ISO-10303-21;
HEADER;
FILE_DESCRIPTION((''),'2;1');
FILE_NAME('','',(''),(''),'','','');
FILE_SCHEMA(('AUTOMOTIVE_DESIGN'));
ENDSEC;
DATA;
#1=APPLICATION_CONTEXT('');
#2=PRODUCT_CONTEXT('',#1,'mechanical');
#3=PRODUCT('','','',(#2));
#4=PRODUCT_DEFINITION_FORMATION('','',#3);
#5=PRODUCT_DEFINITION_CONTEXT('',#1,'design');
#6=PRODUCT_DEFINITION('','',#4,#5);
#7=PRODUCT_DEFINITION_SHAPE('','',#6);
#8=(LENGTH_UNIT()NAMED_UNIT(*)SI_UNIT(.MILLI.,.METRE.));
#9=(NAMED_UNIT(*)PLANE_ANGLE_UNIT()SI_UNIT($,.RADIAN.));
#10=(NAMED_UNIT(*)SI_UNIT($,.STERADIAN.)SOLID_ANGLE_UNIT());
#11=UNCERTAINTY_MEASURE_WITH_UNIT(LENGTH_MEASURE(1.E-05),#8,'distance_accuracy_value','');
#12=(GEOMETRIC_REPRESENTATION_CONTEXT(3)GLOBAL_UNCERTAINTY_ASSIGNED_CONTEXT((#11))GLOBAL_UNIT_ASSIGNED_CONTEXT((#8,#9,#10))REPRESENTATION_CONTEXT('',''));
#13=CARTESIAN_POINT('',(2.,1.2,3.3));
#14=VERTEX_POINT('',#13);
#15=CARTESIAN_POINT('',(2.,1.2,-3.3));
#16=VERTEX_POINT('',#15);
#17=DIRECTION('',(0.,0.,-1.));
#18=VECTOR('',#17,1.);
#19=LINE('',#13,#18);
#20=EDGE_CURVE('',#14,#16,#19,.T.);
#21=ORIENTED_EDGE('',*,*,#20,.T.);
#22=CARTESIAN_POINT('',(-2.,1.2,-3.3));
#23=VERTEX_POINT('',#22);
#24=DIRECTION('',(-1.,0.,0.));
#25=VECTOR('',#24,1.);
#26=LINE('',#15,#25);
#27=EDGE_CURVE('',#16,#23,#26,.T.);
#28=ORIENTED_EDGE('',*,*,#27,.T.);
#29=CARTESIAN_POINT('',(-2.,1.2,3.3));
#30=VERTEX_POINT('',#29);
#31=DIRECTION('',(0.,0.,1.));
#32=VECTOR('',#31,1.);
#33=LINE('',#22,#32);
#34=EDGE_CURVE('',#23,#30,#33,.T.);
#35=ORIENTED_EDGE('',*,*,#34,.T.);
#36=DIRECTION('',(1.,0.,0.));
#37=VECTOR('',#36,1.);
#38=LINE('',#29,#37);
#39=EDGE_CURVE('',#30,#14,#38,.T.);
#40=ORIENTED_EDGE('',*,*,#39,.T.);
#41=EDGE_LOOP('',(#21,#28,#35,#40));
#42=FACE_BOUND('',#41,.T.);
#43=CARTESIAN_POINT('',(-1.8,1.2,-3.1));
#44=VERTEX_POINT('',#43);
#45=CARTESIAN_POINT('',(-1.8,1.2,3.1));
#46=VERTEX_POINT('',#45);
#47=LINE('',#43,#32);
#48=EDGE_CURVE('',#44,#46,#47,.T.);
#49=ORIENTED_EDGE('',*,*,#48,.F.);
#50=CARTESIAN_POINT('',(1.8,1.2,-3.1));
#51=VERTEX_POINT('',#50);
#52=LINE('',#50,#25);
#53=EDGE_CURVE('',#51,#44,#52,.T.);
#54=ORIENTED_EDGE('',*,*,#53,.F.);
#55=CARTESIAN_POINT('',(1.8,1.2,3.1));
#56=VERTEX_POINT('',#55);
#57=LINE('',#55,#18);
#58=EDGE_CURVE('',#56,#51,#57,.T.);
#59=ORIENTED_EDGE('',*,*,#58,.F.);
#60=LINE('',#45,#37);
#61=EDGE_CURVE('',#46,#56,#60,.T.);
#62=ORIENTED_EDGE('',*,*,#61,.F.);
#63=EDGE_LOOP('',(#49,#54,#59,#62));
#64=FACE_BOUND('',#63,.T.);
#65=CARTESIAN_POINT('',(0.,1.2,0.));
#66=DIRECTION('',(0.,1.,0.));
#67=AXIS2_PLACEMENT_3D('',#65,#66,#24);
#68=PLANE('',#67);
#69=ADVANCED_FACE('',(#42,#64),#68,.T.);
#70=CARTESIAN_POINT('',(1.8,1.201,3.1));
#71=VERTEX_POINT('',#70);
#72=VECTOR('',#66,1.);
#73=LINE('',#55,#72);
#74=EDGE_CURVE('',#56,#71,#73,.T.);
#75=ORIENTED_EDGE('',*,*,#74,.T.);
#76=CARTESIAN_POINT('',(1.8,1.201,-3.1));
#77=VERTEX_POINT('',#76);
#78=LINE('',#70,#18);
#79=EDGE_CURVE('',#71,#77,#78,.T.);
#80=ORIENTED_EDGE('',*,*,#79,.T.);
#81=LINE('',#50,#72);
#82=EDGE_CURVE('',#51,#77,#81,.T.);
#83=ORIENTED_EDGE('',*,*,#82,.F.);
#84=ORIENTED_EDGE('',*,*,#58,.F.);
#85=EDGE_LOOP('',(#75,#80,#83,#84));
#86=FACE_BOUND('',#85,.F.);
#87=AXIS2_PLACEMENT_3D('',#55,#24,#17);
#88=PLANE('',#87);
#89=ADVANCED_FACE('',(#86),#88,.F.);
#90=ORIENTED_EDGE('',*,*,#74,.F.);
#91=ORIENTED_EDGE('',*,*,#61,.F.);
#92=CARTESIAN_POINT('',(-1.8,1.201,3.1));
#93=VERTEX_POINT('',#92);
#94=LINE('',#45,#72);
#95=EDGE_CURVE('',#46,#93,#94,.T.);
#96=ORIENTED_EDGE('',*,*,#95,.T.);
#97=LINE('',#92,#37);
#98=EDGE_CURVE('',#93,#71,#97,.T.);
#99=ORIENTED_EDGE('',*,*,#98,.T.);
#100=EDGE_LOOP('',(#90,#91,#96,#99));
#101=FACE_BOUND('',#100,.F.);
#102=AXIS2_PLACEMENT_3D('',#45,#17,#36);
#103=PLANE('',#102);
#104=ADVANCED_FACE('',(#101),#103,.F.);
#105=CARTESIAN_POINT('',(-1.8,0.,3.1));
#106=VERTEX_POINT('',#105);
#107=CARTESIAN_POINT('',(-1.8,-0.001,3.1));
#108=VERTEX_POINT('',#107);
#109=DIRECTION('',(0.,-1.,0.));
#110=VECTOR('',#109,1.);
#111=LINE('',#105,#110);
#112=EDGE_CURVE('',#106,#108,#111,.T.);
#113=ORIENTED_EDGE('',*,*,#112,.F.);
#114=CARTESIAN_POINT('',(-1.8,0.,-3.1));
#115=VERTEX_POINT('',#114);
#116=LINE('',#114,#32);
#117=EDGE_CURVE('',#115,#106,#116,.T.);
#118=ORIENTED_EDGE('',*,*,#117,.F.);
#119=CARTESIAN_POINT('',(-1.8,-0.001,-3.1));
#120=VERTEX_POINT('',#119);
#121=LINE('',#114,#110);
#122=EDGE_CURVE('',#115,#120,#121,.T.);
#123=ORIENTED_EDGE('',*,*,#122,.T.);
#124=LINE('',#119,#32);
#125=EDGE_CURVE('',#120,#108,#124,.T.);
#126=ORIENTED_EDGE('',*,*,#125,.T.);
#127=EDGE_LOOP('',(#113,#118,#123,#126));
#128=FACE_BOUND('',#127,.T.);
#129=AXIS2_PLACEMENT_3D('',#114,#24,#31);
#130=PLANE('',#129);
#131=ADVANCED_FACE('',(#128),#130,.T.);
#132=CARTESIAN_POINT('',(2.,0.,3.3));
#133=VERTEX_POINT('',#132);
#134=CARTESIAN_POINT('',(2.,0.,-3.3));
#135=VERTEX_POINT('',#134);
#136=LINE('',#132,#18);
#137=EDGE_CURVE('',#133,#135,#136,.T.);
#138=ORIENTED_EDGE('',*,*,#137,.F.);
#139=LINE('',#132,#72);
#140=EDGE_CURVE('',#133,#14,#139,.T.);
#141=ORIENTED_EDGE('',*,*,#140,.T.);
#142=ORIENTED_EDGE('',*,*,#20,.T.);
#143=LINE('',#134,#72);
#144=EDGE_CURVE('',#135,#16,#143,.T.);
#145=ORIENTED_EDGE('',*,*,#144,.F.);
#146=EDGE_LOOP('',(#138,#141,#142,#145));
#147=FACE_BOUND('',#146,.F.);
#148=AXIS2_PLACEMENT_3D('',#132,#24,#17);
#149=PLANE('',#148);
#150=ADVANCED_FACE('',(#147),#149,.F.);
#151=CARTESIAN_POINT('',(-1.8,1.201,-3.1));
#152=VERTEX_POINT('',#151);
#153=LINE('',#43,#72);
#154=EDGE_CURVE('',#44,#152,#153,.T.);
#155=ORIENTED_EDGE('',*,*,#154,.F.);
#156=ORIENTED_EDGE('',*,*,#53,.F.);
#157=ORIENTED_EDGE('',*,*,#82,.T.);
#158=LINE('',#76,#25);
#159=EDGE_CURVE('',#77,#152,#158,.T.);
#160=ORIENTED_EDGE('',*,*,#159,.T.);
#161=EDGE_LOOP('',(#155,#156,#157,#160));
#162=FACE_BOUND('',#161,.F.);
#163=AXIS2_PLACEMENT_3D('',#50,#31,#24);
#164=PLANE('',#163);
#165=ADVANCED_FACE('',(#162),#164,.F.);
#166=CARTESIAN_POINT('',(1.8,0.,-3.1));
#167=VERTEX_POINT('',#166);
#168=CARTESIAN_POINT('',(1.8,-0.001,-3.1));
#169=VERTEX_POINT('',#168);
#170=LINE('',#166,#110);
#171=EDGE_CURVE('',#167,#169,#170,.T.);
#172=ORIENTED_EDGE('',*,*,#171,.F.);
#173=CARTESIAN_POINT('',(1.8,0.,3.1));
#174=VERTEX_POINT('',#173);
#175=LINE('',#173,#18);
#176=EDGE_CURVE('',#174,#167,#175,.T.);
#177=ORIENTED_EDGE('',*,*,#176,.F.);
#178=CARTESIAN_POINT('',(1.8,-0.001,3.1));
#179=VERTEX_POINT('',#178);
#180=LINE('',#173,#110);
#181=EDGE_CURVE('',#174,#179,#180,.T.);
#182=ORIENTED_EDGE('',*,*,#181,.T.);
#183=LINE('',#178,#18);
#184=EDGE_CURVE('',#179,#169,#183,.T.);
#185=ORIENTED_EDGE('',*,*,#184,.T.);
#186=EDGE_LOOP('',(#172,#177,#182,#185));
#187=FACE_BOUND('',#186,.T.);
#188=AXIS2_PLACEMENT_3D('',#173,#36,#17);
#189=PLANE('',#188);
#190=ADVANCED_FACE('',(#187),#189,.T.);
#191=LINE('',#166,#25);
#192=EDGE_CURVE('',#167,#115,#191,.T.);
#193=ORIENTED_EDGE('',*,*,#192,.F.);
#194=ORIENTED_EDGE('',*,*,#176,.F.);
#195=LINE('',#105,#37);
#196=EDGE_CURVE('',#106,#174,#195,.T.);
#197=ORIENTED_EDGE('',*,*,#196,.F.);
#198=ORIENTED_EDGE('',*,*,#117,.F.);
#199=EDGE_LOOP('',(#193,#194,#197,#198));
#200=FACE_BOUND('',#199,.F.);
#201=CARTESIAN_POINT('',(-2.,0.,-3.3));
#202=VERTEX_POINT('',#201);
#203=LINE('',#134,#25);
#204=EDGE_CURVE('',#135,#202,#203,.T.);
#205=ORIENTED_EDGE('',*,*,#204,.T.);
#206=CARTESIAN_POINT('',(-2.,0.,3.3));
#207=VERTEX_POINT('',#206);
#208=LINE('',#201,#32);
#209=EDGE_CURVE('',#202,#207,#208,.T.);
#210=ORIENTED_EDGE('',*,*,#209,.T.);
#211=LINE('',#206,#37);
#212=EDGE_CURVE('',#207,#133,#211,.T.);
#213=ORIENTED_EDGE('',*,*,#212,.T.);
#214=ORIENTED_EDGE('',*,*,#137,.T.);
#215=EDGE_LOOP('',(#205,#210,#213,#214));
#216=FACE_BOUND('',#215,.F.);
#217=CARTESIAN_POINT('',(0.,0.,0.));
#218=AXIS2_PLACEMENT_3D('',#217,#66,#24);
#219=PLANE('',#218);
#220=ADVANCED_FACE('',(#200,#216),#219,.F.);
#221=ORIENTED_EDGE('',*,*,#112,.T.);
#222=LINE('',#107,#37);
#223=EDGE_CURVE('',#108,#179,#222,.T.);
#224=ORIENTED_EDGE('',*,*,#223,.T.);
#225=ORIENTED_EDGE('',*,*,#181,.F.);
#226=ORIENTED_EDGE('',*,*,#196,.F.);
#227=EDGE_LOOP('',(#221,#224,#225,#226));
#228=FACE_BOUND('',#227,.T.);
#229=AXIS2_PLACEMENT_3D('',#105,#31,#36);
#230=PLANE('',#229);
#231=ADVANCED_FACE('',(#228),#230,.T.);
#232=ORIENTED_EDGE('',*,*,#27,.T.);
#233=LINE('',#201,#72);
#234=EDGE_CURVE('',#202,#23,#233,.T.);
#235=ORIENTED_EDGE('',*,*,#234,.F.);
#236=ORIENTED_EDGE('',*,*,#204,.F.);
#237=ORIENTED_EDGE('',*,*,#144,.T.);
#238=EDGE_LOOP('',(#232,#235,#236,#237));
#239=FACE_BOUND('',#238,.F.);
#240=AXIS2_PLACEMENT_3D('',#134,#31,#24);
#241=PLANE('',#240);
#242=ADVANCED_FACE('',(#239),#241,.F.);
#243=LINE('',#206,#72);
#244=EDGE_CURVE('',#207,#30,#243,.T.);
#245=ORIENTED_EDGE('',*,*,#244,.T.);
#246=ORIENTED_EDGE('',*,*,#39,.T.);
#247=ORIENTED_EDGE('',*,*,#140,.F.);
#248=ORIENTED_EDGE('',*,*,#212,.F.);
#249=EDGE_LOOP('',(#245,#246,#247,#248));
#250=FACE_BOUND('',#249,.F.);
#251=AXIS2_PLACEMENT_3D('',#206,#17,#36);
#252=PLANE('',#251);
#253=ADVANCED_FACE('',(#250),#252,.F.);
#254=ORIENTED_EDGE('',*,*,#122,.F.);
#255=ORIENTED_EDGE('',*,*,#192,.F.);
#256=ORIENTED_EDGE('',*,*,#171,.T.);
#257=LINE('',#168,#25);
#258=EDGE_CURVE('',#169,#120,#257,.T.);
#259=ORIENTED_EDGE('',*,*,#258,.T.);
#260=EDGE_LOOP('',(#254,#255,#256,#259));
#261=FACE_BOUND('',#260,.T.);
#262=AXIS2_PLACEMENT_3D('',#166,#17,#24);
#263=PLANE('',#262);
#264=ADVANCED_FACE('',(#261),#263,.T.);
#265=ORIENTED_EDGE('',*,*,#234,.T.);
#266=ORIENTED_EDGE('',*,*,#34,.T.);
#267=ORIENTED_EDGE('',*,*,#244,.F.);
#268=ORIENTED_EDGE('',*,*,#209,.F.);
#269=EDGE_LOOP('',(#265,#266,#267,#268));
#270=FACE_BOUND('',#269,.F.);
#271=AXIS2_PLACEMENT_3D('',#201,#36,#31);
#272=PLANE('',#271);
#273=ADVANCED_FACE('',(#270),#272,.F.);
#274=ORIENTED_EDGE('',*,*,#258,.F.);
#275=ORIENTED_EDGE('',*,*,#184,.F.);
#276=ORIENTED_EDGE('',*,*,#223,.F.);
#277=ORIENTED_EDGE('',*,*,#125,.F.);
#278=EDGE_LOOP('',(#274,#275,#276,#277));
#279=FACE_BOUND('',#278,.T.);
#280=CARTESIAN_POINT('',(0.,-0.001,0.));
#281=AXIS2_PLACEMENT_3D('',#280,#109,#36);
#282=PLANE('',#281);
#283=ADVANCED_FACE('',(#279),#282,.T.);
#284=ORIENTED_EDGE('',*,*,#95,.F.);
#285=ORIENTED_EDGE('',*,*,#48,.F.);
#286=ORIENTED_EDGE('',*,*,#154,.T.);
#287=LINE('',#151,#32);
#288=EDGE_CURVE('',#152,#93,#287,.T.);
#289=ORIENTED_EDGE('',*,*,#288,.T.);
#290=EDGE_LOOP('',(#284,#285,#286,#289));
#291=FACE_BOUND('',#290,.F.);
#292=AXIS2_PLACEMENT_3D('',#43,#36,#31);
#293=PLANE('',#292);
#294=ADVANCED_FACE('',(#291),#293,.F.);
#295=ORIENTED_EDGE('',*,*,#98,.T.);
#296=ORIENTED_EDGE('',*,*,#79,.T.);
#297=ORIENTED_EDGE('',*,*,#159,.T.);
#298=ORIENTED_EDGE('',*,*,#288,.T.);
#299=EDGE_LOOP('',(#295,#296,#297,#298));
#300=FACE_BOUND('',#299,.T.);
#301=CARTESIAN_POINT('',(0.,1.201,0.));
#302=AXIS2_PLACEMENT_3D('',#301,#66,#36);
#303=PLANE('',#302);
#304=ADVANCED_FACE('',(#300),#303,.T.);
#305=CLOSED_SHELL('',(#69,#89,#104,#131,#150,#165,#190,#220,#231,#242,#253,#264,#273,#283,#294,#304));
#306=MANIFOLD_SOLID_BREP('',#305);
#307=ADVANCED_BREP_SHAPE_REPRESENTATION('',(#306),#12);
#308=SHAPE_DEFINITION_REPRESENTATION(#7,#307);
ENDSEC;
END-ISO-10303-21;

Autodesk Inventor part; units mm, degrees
ref_plane "YZ Plane" through (0, 0, 0) normal (1, 0, 0) x (0, 1, 0)
ref_plane "XZ Plane" through (0, 0, 0) normal (0, 1, 0) x (-1, 0, 0)
ref_plane "XY Plane" through (0, 0, 0) normal (0, 0, 1) x (1, 0, 0)
sketch "Sketch1" plane through (0, 0, 0) normal (0, 1, 0) x (-1, 0, 0)
  line L0 (2, 3.3) -> (-2, 3.3)
  line L1 (-2, 3.3) -> (-2, -3.3)
  line L2 (-2, -3.3) -> (2, -3.3)
  line L3 (2, -3.3) -> (2, 3.3)
  line L4 (2, 3.3) -> (-2, -3.3) construction
  line L5 (-2, 3.3) -> (2, -3.3) construction
  point P0 (0, 0)
  dimension "d0" = 4
  dimension "d1" = 6.6
extrude "Extrusion1" add sketch "Sketch1" along normal blind 1.2
sketch "Sketch2" plane through (0, 1.2, 0) normal (0, 1, 0) x (1, 0, 0)
  line L0 (-1.8, -3.1) -> (1.8, -3.1)
  line L1 (1.8, -3.1) -> (1.8, 3.1)
  line L2 (1.8, 3.1) -> (-1.8, 3.1)
  line L3 (-1.8, 3.1) -> (-1.8, -3.1)
  line L4 (-1.8, -3.1) -> (1.8, 3.1) construction
  line L5 (1.8, -3.1) -> (-1.8, 3.1) construction
  point P0 (0, 0)
  dimension "d4" = 3.6
  dimension "d5" = 6.2
extrude "Extrusion2" add sketch "Sketch2" along normal blind 0.001
sketch "Sketch3" plane through (0, 0, 0) normal (0, -1, 0) x (1, 0, 0)
  line L0 (1.8, -3.1) -> (-1.8, -3.1)
  line L1 (-1.8, -3.1) -> (-1.8, 3.1)
  line L2 (-1.8, 3.1) -> (1.8, 3.1)
  line L3 (1.8, 3.1) -> (1.8, -3.1)
  line L4 (1.8, -3.1) -> (-1.8, 3.1) construction
  line L5 (-1.8, -3.1) -> (1.8, 3.1) construction
  point P0 (0, 0)
  dimension "d8" = 3.6
  dimension "d9" = 6.2
extrude "Extrusion3" add sketch "Sketch3" along normal blind 0.001
properties part number "KTN_Chip_6p6mm_4mm_1p2mm_WithElectrodes"
